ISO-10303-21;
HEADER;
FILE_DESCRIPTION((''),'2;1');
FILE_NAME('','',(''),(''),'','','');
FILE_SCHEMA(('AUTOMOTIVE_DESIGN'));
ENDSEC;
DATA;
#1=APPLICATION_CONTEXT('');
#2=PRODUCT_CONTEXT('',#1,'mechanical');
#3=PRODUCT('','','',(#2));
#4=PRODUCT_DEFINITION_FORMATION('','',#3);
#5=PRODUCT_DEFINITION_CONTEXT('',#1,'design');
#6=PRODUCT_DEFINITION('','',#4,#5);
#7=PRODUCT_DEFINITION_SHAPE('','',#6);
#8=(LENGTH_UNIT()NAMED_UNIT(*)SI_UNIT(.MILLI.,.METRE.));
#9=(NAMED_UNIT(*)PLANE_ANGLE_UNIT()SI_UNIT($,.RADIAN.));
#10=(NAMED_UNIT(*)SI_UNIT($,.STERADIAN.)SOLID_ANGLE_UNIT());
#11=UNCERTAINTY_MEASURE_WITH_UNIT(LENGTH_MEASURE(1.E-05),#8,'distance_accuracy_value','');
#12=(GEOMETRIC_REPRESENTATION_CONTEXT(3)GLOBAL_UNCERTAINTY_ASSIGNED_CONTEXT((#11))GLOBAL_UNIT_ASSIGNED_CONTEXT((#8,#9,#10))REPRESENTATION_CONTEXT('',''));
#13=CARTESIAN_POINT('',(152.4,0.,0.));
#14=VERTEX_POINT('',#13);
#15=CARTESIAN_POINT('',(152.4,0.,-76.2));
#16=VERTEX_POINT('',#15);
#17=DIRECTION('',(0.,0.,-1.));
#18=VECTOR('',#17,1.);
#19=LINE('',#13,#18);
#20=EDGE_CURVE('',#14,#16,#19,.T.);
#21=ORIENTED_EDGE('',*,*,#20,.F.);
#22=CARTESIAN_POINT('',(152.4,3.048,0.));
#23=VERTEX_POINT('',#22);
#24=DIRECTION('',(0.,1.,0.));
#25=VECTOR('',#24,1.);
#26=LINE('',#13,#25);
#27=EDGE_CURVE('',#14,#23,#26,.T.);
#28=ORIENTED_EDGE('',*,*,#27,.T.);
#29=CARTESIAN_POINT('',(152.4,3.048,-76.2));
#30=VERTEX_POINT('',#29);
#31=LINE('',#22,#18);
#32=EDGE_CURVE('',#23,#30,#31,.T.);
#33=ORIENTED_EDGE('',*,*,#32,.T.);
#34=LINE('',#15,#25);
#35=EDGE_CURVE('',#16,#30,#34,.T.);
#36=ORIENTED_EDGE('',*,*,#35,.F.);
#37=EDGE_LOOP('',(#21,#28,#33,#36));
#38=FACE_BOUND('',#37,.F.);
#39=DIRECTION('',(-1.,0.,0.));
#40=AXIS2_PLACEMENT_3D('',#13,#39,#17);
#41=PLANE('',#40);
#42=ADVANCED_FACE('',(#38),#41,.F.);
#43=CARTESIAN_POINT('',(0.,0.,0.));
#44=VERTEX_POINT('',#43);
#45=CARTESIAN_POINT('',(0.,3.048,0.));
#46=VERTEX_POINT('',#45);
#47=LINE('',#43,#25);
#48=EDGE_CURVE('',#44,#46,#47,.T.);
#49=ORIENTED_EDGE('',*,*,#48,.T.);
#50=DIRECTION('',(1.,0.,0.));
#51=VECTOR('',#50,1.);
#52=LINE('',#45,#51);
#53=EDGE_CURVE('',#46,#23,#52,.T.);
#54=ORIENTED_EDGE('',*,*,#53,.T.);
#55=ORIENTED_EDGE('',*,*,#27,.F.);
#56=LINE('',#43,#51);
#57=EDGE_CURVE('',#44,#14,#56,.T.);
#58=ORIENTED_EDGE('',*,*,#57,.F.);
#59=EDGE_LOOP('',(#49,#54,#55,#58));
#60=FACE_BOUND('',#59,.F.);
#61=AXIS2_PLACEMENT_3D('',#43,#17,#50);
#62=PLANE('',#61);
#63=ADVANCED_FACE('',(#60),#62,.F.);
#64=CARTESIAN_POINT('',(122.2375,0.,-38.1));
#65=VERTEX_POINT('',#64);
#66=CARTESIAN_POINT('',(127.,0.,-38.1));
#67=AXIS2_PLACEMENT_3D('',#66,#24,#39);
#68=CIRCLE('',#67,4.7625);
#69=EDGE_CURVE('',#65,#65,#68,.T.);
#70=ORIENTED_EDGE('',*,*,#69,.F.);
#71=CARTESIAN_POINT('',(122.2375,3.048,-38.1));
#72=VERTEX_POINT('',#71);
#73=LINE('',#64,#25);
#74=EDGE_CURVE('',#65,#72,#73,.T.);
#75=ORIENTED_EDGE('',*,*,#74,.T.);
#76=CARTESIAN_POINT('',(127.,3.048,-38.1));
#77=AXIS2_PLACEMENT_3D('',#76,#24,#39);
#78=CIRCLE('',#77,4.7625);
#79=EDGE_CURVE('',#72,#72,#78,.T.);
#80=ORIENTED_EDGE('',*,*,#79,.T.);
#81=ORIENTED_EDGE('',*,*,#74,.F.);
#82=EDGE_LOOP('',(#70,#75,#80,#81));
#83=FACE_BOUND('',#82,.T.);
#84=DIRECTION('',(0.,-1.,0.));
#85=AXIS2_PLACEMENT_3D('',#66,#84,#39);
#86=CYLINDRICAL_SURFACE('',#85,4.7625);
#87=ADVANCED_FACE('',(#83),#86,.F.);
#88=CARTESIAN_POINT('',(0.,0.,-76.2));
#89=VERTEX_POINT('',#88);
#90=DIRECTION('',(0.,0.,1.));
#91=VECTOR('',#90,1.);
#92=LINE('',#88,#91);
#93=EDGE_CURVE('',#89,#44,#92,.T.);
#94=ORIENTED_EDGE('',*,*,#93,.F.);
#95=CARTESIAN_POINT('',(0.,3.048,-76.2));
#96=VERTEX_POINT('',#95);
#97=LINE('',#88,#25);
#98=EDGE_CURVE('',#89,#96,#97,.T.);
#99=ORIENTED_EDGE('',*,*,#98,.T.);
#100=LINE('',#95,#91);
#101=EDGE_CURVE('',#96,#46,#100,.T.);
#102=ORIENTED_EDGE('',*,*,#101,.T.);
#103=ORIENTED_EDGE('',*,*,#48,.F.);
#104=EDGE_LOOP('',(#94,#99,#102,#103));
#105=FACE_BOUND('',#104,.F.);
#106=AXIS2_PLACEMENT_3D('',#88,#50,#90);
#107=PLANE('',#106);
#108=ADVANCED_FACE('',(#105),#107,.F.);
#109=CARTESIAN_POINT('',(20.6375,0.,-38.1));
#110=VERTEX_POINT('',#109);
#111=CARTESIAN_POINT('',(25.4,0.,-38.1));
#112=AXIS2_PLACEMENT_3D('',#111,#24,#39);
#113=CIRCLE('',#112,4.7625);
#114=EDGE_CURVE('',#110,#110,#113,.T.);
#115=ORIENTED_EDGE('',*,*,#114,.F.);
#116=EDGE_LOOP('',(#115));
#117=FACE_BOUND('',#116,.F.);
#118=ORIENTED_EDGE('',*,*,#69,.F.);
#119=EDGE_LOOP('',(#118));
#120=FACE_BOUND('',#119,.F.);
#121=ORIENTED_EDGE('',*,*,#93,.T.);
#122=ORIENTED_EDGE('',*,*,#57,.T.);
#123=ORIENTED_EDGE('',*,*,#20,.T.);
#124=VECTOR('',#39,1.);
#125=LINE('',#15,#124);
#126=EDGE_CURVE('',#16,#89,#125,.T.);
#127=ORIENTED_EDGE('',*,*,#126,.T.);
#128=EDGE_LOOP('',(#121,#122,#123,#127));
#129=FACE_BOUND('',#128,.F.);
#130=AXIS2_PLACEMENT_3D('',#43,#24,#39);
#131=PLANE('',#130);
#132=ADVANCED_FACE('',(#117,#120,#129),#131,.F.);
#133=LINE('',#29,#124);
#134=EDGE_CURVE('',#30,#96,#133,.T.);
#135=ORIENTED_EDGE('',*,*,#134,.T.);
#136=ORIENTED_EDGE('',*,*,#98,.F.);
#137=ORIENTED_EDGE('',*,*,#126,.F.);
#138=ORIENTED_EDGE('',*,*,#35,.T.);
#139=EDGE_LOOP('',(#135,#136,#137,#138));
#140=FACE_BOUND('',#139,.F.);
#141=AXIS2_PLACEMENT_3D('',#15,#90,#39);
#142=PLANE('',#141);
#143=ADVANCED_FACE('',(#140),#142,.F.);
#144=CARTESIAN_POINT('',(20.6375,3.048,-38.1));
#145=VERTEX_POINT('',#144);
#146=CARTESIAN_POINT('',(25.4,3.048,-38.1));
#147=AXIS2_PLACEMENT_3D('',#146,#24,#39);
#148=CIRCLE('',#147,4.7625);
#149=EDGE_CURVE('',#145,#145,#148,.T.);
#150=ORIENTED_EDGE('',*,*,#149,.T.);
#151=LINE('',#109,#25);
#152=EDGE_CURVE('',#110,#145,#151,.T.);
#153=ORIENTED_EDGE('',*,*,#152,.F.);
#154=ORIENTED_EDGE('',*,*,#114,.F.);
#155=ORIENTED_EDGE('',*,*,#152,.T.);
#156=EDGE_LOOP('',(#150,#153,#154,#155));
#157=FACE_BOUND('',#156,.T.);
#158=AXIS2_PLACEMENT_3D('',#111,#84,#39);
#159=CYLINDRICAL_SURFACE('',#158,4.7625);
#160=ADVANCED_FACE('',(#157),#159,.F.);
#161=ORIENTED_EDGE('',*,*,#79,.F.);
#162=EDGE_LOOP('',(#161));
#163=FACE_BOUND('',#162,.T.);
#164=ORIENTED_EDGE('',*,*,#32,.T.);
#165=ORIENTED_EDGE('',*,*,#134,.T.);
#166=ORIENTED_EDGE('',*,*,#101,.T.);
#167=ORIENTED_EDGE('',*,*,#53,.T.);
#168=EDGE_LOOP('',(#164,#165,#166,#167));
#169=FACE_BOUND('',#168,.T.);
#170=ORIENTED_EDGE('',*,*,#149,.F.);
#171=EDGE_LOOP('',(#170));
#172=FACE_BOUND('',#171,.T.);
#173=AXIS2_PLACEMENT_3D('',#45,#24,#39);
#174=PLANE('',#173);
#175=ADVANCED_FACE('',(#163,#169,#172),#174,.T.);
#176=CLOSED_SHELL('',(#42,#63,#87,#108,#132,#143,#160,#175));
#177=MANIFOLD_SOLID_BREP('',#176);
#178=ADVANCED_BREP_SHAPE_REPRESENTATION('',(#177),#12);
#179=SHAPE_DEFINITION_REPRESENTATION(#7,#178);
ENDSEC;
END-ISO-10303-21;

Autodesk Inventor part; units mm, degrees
ref_plane "YZ Plane" through (0, 0, 0) normal (1, 0, 0) x (0, 1, 0)
ref_plane "XZ Plane" through (0, 0, 0) normal (0, 1, 0) x (-1, 0, 0)
ref_plane "XY Plane" through (0, 0, 0) normal (0, 0, 1) x (1, 0, 0)
sketch "Sketch1" plane through (0, 0, 0) normal (0, 1, 0) x (-1, 0, 0)
  line L0 (0, 0) -> (-152.4, 0)
  line L1 (-152.4, 0) -> (-152.4, -76.2)
  line L2 (-152.4, -76.2) -> (0, -76.2)
  line L3 (0, -76.2) -> (0, 0)
  circle A0 centre (-25.4, -38.1) radius 4.7625
  circle A1 centre (-127, -38.1) radius 4.7625
  dimension "d0" = 152.4
  dimension "d1" = 76.2
  dimension "d3" = 9.525
  dimension "d7" = 9.525
extrude "Plate1" add sketch "Sketch1" along normal blind 3.048
equation "\"d8\" = Thickness"
equation "\"BendRadius\" = Thickness"
equation "\"BendReliefWidth\" = Thickness"
equation "\"BendReliefDepth\" = 0.5 * Thickness"
equation "\"CornerReliefSize\" = 4 * Thickness"
equation "\"MinimumRemnant\" = 2 * Thickness"
equation "\"TransitionRadius\" = BendRadius"
equation "\"JacobiRadiusSize\" = BendRadius"
equation "\"GapSize\" = Thickness"
equation "\"Thickness\" = 3.048"
properties part number "6x3"
